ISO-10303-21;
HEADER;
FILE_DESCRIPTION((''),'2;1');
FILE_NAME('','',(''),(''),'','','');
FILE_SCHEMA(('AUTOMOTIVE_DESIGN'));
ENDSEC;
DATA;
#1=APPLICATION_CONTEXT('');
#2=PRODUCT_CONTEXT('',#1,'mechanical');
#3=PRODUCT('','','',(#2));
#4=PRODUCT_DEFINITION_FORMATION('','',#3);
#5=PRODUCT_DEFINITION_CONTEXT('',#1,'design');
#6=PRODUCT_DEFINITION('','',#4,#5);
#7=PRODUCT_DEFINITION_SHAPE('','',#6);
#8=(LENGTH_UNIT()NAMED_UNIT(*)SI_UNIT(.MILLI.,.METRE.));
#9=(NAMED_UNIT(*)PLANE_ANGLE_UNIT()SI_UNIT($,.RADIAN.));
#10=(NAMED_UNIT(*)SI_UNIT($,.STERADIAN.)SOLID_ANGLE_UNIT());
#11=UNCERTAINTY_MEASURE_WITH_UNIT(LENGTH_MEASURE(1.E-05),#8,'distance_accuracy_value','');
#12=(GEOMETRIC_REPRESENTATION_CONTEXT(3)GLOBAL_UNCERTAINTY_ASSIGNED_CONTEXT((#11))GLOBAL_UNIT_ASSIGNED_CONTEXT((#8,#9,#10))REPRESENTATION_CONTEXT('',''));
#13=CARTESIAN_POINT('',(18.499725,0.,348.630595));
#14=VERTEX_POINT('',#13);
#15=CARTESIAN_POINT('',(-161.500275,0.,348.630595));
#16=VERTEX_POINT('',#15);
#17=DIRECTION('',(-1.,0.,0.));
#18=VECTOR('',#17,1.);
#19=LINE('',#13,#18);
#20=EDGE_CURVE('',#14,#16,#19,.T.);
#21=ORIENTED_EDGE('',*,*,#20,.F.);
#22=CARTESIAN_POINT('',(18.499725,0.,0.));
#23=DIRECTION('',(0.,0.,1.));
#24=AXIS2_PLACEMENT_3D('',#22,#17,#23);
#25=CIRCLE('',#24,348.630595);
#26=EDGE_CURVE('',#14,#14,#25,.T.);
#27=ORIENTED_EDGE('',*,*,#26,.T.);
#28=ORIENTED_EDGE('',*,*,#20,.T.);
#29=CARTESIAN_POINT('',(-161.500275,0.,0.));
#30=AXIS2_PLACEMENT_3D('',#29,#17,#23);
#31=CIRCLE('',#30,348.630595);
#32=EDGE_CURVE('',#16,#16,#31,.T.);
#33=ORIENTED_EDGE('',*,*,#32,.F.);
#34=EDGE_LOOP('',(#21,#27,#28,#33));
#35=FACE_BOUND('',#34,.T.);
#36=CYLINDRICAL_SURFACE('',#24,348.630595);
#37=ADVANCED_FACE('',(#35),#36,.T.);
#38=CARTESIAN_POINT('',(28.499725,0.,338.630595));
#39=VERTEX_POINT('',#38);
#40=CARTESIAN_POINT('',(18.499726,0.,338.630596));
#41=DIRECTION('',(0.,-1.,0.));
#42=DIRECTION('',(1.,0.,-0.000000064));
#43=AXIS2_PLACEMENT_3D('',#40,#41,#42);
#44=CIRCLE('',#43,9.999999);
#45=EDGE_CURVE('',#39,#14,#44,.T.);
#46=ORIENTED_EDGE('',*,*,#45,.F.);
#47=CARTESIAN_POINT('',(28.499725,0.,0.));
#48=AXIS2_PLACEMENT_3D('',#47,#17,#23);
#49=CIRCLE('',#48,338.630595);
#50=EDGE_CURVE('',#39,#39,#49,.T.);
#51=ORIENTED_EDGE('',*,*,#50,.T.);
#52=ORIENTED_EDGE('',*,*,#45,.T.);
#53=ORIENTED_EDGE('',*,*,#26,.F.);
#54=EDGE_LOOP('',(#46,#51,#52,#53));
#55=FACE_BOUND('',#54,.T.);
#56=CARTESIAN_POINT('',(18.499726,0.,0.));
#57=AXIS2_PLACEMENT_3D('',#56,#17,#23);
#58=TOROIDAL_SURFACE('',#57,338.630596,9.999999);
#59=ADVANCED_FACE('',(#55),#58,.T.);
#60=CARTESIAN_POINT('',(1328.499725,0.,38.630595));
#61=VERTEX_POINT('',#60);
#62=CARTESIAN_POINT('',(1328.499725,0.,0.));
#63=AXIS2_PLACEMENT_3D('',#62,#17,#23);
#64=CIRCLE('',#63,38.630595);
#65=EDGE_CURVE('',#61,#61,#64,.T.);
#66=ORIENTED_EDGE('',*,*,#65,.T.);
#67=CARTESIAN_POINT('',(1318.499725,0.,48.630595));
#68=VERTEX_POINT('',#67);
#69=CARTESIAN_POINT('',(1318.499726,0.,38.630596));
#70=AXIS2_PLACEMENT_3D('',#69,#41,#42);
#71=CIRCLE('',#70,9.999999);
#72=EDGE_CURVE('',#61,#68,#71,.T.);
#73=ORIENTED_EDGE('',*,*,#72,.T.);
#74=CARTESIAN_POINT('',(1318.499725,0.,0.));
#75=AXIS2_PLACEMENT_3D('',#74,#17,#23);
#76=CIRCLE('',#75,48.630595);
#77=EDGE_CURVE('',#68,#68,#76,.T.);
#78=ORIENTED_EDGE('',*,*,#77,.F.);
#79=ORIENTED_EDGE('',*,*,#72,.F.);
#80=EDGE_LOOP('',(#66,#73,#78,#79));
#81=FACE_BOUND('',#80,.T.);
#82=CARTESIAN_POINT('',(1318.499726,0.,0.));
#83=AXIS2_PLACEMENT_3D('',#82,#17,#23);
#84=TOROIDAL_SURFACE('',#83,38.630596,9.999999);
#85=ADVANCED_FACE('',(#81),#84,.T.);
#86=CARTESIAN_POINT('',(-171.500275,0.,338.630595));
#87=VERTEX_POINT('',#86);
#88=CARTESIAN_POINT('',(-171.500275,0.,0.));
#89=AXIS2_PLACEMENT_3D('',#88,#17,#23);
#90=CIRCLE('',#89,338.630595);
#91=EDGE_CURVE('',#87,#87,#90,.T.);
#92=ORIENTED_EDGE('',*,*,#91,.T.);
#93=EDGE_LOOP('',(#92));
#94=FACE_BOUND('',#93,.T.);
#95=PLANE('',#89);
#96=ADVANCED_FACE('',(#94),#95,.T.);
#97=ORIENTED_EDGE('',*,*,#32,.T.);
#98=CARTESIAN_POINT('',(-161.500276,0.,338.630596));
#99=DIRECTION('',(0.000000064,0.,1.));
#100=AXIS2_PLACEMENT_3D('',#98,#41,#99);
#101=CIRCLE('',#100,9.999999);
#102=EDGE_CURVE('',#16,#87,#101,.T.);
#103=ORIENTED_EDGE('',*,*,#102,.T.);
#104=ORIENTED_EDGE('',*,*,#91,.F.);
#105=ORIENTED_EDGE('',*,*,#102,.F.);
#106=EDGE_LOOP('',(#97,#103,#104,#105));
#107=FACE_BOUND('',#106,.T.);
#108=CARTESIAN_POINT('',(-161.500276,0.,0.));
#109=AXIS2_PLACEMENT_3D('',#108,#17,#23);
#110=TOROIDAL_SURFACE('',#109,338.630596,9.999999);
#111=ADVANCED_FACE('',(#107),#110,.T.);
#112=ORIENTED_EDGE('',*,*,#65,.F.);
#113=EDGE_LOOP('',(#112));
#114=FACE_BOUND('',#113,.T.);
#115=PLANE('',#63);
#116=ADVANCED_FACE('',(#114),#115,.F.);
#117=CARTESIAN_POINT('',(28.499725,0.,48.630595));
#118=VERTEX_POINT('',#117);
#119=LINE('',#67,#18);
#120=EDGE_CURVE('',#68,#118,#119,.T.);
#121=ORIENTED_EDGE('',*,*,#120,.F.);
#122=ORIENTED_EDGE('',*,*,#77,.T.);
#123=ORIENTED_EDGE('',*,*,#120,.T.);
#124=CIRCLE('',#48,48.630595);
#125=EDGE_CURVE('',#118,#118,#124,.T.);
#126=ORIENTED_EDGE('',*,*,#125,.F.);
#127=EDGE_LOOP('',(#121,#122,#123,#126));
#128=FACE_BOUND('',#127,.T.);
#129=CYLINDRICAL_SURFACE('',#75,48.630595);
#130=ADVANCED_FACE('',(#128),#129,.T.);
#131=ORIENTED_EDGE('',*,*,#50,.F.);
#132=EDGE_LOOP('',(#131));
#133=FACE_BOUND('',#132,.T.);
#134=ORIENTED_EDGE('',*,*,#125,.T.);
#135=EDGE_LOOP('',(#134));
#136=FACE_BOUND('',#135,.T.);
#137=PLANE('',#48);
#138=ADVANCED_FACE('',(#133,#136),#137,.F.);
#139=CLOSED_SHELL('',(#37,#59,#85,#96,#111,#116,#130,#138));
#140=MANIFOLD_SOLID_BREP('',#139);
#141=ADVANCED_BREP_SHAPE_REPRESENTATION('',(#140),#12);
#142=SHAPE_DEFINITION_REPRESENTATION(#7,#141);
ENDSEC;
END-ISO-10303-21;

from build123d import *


with BuildPart() as f1:
    # F0 (on Front) → F1 (revolve)
    with BuildSketch(Plane.XZ):
        with BuildLine():
            Line((-171.500275, 338.630595), (-171.500275, 0))
            Line((-171.500275, 0), (1328.499725, 0))
            Line((1328.499725, 0), (1328.499725, 38.630595))
            ThreePointArc((1328.499725, 38.630595), (1325.570793, 45.701663), (1318.499725, 48.630595))
            Line((1318.499725, 48.630595), (28.499725, 48.630595))
            Line((28.499725, 48.630595), (28.499725, 338.630595))
            ThreePointArc((28.499725, 338.630595), (25.570793, 345.701663), (18.499725, 348.630595))
            Line((18.499725, 348.630595), (-161.500275, 348.630595))
            ThreePointArc((-161.500275, 348.630595), (-168.571343, 345.701663), (-171.500275, 338.630595))
        make_face()
    revolve(axis=Axis((578.499725, 0, 0), (-1, 0, 0)))


solid = f1.part
